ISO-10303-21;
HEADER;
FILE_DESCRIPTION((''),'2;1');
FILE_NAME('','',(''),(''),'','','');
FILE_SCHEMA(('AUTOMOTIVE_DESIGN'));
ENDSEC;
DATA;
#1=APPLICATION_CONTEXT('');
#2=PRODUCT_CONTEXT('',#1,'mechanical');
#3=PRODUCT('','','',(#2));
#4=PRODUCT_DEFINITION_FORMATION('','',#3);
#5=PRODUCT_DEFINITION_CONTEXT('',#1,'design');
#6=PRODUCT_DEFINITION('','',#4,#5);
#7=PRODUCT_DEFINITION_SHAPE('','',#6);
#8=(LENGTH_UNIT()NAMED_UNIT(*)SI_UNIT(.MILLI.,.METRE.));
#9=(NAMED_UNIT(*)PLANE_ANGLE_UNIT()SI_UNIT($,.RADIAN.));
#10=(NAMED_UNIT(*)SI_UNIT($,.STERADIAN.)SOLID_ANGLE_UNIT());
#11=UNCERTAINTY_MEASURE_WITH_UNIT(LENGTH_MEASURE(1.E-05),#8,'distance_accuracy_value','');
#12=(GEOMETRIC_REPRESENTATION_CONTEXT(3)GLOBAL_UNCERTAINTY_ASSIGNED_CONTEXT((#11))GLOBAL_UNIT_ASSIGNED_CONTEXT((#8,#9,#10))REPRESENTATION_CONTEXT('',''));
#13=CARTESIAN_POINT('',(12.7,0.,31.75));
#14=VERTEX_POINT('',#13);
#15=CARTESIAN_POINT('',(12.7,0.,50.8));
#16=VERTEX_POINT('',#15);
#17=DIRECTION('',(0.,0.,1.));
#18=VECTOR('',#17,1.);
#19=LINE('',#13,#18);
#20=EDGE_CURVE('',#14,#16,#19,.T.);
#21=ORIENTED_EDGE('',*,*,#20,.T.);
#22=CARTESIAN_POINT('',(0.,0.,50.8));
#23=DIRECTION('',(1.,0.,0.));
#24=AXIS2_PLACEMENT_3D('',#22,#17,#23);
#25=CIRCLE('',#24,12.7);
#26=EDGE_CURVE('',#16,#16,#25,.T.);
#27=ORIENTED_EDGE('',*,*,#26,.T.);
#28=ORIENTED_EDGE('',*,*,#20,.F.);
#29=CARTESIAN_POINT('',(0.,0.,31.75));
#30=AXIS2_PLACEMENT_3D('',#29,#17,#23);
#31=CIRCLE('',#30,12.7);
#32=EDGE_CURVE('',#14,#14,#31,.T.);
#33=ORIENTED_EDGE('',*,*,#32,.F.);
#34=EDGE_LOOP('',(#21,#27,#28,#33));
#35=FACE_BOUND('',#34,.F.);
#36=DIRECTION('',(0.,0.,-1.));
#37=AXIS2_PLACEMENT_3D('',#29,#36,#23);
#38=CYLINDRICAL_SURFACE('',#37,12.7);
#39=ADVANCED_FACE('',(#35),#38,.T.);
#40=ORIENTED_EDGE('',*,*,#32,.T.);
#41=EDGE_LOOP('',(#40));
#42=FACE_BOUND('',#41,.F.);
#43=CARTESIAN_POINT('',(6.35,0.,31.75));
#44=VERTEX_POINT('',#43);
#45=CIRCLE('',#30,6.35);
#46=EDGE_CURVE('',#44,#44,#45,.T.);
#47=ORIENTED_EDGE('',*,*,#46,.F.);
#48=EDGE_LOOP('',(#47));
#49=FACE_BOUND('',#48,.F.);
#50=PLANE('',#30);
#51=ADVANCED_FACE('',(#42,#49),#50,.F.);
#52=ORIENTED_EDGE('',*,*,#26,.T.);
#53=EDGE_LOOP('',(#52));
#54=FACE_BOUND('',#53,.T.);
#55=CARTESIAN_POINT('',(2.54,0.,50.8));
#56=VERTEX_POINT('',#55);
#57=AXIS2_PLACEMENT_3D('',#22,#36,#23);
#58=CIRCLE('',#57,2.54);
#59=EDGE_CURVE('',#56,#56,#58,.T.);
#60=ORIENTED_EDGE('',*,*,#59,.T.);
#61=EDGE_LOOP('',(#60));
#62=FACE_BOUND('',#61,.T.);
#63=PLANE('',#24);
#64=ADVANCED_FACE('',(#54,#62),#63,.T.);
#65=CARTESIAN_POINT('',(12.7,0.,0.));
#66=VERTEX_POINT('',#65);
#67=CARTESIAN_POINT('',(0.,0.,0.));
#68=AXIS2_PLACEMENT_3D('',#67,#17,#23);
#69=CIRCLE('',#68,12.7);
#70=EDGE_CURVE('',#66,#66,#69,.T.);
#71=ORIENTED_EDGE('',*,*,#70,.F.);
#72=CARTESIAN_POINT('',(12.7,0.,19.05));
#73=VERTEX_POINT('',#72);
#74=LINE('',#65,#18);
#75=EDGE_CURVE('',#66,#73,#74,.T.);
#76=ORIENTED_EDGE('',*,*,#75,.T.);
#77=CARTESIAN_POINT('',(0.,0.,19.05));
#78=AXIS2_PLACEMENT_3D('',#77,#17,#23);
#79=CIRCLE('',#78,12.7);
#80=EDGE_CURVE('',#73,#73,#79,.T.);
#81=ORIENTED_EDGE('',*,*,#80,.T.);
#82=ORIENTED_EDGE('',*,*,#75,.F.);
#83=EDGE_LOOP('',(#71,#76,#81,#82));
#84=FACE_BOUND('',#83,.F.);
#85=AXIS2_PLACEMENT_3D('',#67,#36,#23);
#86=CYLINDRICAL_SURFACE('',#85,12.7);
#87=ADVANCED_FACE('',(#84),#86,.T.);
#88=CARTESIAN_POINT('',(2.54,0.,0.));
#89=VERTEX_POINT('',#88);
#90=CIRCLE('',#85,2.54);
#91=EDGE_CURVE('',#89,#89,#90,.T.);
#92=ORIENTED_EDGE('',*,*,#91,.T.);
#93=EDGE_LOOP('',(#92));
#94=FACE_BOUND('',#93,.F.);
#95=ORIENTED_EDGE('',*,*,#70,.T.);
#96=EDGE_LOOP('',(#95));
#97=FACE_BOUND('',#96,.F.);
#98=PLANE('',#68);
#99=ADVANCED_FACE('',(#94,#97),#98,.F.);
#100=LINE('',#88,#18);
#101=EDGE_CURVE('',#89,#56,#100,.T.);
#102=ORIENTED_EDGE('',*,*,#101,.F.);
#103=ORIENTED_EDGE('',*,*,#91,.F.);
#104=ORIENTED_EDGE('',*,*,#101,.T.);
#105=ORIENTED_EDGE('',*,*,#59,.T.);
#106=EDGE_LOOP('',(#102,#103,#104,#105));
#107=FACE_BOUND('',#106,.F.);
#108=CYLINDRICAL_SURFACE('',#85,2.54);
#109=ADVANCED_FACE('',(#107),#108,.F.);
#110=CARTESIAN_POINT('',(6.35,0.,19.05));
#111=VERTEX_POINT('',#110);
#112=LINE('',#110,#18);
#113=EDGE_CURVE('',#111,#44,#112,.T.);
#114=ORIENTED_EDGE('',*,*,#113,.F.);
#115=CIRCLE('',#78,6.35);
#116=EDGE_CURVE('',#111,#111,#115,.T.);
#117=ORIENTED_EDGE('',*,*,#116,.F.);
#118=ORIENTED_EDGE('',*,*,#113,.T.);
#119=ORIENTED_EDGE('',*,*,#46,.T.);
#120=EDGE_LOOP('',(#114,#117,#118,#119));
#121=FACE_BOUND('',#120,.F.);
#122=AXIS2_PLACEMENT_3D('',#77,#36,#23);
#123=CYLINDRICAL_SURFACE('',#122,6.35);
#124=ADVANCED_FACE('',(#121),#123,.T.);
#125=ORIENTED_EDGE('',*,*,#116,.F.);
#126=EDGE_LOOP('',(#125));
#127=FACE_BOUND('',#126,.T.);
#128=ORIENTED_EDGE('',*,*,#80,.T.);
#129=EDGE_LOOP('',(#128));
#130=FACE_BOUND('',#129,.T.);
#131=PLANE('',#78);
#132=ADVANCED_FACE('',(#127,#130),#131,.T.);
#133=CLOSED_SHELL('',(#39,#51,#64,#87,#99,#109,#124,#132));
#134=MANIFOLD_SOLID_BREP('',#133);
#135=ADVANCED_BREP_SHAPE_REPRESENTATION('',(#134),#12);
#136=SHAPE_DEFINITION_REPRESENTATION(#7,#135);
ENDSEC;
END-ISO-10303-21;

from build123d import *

# Parameters (mm, degrees)
F0_R     = 12.7
F1_DEPTH = 19.05
F2_R     = 6.35
F3_DEPTH = 12.7
F4_R     = 12.7
F5_DEPTH = 19.05
F6_R     = 2.54
F7_DEPTH = 50.8


with BuildPart() as f1:
    # F0 (on Top) → F1 (new body)
    with BuildSketch(Plane.XY):
        Circle(F0_R)
    extrude(amount=F1_DEPTH)

    # F2 (on face) → F3 (join)
    with BuildSketch(Plane.XY.offset(19.05)):
        Circle(F2_R)
    extrude(amount=F3_DEPTH)

    # F4 (on face) → F5 (join)
    with BuildSketch(Plane.XY.offset(31.75)):
        Circle(F4_R)
    extrude(amount=F5_DEPTH)

    # F6 (on face) → F7 (cut)
    with BuildSketch(Plane(origin=(0, 0, 0), x_dir=(1, 0, 0), z_dir=(0, 0, -1))):
        Circle(F6_R)
    extrude(amount=-F7_DEPTH, mode=Mode.SUBTRACT)


solid = f1.part
